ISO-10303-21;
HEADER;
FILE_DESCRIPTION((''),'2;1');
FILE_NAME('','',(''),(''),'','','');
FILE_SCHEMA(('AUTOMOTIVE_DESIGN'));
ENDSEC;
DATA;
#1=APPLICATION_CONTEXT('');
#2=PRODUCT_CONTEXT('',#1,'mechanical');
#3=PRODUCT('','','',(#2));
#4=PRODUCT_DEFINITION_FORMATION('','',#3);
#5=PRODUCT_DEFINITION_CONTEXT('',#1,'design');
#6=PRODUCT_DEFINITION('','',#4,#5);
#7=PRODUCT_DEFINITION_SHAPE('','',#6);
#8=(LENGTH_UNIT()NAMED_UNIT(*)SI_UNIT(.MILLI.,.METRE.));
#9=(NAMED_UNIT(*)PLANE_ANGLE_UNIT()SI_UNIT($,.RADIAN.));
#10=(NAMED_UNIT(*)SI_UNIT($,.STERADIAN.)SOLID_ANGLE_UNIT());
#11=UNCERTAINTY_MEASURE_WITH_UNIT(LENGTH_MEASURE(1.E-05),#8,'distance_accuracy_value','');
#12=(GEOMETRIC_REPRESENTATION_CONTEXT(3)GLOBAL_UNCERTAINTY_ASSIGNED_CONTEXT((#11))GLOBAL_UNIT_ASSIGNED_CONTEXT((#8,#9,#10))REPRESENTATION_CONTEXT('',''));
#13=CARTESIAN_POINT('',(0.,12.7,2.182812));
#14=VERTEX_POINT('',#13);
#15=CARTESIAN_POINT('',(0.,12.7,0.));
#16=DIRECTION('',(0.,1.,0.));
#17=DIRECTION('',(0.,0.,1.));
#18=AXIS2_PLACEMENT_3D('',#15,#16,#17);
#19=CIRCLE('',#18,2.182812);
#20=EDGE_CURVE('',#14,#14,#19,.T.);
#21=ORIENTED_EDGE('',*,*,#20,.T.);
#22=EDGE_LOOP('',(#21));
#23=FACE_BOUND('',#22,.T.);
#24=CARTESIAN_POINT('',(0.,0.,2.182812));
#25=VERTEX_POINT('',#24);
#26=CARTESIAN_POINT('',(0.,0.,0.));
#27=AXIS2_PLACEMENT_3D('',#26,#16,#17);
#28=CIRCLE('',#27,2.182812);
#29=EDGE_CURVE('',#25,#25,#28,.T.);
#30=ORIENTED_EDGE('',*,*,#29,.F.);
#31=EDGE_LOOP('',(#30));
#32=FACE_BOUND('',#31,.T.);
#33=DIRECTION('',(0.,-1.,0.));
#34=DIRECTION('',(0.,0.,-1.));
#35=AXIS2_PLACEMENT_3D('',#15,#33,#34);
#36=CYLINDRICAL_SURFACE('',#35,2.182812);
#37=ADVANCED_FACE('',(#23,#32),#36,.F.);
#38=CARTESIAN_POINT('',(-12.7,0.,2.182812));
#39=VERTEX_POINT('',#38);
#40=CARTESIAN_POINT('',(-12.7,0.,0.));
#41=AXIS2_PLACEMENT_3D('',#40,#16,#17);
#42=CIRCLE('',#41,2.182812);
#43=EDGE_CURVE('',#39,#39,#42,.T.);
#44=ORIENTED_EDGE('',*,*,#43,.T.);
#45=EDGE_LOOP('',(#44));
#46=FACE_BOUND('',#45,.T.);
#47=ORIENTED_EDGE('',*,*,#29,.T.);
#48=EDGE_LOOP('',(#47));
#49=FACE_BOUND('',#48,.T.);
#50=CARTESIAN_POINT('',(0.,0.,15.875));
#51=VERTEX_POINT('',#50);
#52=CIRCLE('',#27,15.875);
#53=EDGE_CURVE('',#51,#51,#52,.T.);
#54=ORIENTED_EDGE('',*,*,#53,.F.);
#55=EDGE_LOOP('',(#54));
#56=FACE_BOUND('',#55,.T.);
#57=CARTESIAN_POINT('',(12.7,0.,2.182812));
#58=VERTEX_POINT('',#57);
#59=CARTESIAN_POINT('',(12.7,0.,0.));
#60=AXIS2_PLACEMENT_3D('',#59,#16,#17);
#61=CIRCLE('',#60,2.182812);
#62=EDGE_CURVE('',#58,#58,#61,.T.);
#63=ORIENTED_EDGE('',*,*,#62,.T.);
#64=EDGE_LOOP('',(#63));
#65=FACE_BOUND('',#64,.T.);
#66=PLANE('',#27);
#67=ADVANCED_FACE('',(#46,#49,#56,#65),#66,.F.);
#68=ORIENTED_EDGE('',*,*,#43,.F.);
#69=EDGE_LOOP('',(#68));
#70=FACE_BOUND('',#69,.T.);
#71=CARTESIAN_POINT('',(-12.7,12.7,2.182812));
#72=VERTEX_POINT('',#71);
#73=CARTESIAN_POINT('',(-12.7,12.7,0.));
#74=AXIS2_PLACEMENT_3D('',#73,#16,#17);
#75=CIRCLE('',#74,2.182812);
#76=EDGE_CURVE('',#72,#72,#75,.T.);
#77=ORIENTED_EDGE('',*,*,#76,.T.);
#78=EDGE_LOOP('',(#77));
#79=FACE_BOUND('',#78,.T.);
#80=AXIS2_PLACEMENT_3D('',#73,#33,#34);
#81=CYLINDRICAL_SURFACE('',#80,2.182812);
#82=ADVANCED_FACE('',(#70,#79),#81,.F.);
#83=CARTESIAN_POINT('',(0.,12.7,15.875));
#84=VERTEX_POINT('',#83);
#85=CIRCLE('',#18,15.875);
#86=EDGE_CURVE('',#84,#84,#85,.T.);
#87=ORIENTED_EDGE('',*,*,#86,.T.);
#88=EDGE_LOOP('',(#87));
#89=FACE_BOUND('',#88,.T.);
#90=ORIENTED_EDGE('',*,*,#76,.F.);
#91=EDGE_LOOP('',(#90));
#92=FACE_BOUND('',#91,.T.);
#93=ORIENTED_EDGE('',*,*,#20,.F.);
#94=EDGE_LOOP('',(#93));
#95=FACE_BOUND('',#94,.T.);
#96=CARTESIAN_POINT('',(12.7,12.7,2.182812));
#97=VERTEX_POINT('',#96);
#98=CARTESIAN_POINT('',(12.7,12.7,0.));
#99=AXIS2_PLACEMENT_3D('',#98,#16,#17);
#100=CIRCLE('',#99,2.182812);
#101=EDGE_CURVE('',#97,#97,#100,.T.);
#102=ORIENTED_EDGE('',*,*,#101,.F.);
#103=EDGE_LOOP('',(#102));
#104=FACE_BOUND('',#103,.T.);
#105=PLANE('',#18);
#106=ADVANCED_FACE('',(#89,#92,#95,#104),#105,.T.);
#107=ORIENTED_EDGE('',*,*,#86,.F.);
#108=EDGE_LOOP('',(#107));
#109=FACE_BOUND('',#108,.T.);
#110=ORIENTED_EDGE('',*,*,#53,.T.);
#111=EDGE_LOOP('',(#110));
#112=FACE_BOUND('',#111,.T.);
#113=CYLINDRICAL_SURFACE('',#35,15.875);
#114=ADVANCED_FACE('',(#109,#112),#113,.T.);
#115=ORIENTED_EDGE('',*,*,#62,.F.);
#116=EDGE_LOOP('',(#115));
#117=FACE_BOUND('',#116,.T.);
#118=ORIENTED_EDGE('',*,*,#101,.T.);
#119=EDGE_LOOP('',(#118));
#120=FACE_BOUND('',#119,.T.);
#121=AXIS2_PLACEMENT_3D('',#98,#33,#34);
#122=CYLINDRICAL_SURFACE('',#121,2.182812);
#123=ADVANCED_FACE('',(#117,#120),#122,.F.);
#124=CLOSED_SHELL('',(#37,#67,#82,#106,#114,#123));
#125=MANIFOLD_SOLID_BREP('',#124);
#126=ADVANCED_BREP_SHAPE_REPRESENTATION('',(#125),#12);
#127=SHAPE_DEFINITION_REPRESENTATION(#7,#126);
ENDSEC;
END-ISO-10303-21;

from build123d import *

# Parameters (mm, degrees)
SKETCH1_R           = 15.875
SKETCH1_R_2         = 2.1828125
BOSS_EXTRUDE1_DEPTH = 12.7


with BuildPart() as part:
    # Sketch1 → Boss-Extrude1 (new body)
    with BuildSketch(Plane(origin=(0, 0, 0), x_dir=(1, 0, 0), z_dir=(0, 1, 0))):
        with Locations(Location((0, 0, 0), (0, 0, 270))):
            Circle(SKETCH1_R)
        with Locations(Location((0, 0, 0), (0, 0, 270))):
            Circle(SKETCH1_R_2, mode=Mode.SUBTRACT)
        with Locations(Location((12.7, 0, 0), (0, 0, 270))):
            Circle(SKETCH1_R_2, mode=Mode.SUBTRACT)
        with Locations(Location((-12.7, 0, 0), (0, 0, 270))):
            Circle(SKETCH1_R_2, mode=Mode.SUBTRACT)
    extrude(amount=BOSS_EXTRUDE1_DEPTH)


solid = part.part
